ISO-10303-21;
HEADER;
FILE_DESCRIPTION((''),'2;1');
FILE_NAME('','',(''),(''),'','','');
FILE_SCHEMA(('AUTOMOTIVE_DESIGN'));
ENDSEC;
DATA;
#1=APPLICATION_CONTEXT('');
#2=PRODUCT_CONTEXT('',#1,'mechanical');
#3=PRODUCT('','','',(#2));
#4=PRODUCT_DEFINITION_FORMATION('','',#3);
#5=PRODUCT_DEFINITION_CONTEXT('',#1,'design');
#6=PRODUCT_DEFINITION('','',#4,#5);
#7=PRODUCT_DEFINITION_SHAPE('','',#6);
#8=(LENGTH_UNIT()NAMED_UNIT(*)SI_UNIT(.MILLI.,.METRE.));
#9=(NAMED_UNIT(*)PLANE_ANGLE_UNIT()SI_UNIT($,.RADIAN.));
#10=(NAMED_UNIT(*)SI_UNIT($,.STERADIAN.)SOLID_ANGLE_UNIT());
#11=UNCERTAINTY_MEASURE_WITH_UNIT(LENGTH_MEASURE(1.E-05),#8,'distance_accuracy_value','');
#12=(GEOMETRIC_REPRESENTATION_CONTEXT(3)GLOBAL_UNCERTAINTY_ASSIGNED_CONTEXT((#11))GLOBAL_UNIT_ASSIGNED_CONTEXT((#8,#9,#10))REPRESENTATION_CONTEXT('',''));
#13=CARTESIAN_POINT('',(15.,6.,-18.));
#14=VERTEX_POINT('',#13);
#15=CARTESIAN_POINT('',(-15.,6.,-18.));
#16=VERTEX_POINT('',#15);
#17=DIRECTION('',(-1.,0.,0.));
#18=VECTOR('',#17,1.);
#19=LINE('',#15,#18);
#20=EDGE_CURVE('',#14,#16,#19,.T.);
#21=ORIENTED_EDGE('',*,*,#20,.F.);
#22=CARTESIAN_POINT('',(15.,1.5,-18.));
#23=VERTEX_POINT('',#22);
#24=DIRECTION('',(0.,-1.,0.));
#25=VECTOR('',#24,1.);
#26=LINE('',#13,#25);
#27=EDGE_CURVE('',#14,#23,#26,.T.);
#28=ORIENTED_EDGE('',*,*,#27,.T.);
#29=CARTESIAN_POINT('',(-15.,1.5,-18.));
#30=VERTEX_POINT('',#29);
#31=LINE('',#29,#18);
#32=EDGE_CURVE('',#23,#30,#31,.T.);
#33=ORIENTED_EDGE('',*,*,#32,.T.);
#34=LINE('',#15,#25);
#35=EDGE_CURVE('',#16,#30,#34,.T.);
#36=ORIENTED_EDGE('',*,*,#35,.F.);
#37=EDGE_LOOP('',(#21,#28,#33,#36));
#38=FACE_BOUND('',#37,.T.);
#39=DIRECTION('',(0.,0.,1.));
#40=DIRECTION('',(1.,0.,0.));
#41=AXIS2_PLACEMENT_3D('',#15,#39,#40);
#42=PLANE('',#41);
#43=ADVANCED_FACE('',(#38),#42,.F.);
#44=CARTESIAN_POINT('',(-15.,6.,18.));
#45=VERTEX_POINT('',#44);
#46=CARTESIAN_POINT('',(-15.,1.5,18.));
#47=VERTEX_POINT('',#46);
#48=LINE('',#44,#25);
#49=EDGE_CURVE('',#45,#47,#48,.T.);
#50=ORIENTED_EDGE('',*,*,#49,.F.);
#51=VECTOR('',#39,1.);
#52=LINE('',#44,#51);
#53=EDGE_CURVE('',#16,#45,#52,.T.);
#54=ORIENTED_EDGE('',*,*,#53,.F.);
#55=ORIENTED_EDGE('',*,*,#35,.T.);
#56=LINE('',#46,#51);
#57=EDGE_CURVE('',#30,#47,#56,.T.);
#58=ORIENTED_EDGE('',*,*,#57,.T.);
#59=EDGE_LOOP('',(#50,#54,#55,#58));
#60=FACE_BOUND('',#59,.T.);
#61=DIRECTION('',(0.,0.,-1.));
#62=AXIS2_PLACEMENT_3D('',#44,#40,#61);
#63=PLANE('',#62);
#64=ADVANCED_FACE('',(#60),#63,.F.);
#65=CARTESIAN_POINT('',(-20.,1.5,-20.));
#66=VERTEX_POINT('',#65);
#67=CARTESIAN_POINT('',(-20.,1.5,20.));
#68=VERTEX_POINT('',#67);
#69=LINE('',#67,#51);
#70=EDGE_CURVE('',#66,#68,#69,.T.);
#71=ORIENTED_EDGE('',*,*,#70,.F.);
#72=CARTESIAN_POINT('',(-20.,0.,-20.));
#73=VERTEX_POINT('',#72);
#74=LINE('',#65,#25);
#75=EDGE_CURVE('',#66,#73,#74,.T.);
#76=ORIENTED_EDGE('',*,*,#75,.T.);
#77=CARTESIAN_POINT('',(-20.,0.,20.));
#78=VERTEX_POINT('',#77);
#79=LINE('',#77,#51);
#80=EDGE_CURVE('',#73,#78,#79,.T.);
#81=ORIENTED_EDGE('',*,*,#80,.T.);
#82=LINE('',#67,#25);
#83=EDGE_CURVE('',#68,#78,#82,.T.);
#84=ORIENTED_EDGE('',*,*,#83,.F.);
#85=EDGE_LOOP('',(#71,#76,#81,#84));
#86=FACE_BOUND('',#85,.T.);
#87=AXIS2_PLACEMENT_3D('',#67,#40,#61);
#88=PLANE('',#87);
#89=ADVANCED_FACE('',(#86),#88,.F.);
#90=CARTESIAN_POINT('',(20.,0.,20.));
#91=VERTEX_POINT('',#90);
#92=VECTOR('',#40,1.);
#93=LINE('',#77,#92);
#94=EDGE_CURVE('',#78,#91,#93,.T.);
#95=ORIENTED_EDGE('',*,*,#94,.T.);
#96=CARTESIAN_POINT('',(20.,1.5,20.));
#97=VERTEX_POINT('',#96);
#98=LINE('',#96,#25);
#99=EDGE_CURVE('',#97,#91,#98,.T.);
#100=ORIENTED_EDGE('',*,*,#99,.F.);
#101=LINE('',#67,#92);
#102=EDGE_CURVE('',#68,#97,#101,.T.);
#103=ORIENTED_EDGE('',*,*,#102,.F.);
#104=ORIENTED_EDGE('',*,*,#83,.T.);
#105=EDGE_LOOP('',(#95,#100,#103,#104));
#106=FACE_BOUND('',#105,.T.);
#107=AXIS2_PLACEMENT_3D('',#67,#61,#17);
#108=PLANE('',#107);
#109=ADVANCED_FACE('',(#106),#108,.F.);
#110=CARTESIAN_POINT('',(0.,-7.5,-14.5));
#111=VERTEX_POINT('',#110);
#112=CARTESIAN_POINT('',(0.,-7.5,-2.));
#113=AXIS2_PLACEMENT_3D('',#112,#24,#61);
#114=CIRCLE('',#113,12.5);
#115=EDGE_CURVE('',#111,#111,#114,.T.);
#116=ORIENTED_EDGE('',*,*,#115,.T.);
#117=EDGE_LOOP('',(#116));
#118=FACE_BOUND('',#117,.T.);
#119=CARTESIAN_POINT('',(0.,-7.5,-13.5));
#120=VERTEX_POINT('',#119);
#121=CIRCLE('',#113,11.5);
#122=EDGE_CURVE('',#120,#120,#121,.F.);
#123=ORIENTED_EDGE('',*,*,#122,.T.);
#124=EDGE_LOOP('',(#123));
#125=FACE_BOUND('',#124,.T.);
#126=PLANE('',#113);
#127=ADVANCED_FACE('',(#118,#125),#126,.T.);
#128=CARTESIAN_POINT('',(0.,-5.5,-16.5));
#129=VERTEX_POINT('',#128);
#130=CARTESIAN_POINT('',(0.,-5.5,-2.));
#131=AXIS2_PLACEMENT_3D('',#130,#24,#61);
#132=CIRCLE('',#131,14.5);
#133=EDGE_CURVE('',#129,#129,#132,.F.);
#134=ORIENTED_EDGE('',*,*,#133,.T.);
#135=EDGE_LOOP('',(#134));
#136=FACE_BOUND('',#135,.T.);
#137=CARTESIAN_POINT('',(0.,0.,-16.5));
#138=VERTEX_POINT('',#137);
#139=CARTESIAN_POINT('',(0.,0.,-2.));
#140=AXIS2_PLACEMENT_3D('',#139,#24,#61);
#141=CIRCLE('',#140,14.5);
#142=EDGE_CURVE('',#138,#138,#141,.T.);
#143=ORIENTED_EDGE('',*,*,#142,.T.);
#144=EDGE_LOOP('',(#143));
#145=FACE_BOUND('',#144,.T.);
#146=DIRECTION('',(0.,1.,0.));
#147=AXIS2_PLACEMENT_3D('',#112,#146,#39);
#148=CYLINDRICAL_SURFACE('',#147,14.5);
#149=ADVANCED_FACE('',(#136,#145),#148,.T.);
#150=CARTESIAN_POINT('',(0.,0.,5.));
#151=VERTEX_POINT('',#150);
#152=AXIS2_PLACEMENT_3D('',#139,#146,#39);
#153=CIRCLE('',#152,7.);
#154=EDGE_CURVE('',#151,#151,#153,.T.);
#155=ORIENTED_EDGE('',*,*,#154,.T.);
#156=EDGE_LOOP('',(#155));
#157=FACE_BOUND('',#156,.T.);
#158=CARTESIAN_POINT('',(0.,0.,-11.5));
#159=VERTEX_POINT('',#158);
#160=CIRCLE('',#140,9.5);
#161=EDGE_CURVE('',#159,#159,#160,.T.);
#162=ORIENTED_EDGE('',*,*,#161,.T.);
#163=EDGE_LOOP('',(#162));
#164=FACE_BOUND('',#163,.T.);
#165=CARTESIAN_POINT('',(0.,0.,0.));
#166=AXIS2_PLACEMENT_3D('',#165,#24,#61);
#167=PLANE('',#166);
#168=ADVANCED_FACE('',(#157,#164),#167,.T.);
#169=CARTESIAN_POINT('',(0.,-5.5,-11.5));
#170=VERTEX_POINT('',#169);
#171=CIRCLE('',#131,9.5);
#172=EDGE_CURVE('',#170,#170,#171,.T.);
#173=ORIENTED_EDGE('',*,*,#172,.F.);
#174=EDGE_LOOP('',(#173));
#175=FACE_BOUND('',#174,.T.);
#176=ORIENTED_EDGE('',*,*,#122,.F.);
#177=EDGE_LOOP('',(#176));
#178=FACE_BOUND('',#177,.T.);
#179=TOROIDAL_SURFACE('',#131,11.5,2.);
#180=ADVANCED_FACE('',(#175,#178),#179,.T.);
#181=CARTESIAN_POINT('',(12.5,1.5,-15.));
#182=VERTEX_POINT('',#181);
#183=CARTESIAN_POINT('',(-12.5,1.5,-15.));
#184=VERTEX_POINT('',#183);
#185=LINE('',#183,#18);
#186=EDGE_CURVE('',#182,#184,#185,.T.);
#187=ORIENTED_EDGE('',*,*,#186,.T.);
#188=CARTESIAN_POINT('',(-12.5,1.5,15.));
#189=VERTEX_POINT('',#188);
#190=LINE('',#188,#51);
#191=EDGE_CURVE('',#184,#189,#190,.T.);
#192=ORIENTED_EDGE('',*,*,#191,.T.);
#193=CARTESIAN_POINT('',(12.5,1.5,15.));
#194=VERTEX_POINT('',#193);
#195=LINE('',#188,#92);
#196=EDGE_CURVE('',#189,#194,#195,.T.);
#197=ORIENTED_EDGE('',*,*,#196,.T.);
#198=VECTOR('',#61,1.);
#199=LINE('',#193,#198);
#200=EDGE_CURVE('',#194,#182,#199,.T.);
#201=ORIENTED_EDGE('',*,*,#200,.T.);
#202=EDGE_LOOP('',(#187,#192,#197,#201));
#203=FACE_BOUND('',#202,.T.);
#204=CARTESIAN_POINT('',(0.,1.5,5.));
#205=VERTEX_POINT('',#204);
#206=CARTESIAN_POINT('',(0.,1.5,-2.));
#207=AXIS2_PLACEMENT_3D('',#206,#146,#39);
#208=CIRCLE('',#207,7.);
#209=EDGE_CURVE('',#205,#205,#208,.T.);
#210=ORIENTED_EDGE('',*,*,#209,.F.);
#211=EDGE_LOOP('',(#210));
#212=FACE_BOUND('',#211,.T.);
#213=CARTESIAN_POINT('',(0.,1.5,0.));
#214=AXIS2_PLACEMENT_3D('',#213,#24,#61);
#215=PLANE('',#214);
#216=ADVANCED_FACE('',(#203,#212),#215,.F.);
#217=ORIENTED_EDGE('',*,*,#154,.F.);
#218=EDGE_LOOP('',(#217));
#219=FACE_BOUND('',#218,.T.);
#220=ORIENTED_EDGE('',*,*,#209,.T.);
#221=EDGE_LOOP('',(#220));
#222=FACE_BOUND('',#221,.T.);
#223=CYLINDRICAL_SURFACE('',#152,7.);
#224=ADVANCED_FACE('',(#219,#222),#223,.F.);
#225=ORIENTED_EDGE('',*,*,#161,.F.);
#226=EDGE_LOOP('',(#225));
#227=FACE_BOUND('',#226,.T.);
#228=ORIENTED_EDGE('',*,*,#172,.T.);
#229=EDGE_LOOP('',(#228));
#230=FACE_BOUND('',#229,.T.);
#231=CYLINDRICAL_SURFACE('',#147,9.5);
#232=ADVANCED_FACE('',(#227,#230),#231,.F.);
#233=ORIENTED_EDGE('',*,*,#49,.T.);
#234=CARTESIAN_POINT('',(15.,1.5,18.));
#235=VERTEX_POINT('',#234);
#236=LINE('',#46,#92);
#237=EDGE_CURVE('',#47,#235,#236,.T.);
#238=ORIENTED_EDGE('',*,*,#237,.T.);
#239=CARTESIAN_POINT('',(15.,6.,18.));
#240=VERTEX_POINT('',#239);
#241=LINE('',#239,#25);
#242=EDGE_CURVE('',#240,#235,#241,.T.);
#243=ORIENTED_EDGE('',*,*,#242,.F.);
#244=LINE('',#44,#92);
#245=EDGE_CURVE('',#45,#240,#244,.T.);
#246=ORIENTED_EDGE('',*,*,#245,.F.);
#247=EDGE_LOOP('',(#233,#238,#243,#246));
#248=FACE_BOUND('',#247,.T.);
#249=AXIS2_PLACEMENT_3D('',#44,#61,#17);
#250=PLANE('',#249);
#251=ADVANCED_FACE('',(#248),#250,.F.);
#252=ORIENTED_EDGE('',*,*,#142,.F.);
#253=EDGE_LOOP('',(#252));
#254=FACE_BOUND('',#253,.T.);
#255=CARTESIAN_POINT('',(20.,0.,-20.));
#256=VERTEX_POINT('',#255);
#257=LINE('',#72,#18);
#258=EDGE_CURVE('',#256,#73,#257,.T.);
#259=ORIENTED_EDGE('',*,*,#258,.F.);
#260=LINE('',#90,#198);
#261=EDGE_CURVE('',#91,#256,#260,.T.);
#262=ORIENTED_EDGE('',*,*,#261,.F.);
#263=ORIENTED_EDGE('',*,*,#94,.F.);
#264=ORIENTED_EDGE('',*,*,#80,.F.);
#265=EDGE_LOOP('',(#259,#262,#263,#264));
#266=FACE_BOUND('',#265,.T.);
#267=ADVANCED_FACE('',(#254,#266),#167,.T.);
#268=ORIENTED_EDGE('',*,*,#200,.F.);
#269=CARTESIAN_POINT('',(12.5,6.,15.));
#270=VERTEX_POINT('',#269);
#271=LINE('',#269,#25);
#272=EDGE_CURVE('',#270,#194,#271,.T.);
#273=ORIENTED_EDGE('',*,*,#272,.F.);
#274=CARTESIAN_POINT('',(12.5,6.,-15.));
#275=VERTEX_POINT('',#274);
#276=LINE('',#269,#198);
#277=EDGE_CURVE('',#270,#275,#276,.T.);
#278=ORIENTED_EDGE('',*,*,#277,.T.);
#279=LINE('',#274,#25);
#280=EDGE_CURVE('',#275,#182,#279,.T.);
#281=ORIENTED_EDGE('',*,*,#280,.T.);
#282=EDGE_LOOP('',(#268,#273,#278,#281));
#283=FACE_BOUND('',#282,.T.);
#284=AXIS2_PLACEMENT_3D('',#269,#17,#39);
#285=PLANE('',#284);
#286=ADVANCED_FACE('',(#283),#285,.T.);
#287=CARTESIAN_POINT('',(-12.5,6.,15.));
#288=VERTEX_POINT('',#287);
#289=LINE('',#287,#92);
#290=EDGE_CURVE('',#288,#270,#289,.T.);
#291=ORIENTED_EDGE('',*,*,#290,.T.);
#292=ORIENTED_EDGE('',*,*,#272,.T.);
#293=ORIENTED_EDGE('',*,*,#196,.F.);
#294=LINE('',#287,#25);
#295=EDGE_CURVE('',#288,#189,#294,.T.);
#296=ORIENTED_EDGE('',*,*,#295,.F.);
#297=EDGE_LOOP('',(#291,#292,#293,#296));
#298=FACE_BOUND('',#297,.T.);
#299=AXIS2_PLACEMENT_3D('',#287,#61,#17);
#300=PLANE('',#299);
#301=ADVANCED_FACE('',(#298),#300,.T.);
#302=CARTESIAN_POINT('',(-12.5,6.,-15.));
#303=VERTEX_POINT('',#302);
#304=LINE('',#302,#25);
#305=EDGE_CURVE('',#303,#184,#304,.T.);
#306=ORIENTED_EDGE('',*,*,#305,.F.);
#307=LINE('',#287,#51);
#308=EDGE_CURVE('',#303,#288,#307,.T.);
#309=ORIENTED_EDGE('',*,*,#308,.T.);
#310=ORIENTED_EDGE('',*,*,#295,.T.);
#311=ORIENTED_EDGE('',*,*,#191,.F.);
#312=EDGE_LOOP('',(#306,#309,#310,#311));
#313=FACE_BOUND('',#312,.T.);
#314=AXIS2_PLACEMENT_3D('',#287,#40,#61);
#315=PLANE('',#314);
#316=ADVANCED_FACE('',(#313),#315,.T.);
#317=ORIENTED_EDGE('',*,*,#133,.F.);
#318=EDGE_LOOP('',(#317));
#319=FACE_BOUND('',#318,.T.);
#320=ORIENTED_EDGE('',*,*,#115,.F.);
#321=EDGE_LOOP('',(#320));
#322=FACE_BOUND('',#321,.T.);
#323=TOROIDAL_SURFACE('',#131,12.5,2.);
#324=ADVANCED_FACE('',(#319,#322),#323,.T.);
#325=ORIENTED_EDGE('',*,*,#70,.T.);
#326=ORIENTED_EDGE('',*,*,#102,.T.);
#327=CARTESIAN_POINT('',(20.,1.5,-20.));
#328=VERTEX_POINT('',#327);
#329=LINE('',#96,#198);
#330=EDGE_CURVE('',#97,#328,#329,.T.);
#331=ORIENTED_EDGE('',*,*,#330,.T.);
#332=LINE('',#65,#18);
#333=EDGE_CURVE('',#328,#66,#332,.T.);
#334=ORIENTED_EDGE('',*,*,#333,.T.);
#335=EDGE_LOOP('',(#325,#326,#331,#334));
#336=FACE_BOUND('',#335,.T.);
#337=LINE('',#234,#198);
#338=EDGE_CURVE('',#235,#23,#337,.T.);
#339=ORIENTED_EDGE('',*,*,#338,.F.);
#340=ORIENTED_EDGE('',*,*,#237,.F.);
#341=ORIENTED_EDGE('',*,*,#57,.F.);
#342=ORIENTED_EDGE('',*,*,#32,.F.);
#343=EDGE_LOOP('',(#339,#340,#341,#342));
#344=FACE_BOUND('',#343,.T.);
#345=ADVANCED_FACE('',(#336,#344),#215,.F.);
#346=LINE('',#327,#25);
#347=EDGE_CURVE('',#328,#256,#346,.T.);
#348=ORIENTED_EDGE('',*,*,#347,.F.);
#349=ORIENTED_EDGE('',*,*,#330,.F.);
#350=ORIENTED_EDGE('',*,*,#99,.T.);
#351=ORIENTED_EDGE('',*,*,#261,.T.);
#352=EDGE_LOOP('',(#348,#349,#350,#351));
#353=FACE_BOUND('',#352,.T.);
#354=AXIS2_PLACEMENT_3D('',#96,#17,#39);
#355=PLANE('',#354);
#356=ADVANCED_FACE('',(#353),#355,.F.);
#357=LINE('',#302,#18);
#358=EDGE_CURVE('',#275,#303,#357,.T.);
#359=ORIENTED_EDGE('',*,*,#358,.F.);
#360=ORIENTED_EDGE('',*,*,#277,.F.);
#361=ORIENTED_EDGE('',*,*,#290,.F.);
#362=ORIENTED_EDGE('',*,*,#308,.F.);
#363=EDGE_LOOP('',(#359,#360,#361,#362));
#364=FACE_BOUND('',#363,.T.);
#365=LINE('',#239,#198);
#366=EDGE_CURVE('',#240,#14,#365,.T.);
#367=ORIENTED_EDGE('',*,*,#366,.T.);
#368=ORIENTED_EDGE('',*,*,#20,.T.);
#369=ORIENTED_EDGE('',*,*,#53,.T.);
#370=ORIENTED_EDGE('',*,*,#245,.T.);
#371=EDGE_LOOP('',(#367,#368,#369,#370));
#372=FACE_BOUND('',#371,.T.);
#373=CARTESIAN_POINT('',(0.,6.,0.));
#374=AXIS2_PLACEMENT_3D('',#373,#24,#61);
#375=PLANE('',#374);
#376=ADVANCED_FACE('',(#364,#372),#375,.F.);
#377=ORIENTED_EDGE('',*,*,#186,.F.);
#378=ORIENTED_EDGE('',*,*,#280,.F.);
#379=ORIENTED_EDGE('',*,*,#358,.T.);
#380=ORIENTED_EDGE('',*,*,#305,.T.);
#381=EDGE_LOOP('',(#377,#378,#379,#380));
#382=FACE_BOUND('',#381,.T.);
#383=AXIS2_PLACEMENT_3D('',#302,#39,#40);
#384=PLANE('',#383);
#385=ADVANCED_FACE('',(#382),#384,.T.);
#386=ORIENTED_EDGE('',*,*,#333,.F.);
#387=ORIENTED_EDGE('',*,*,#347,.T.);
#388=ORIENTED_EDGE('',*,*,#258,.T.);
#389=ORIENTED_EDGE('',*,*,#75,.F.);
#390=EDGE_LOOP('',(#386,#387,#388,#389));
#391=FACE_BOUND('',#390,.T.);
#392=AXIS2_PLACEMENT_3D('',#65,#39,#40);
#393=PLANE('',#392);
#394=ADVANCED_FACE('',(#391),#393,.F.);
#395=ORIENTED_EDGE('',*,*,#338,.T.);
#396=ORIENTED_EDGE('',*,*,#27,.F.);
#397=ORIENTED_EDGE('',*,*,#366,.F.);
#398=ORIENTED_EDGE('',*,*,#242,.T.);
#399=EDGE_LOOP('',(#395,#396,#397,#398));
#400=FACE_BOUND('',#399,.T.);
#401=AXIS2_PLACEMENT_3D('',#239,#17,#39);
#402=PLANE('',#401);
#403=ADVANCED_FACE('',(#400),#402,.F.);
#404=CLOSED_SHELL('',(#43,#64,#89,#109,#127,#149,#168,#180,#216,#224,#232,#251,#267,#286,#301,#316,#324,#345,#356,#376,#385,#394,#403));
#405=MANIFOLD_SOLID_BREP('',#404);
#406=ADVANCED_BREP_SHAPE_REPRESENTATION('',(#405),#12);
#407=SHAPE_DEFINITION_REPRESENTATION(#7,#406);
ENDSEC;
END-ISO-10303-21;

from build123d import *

# Parameters (mm, degrees)
CROQUIS1_W              = 40
CROQUIS1_H              = 40
SALIENTE_EXTRUIR1_DEPTH = 1.5
CROQUIS2_R              = 7
CORTAR_EXTRUIR1_DEPTH   = 1.5
CROQUIS3_W              = 30
CROQUIS3_H              = 36
CROQUIS3_W_2            = 25
CROQUIS3_H_2            = 30
SALIENTE_EXTRUIR2_DEPTH = 4.5
CROQUIS4_R              = 14.5
CROQUIS4_R_2            = 9.5
SALIENTE_EXTRUIR3_DEPTH = 7.5
REDONDEO1_R             = 2


with BuildPart() as part:
    # Croquis1 → Saliente-Extruir1 (new body)
    with BuildSketch(Plane(origin=(0, 0, 0), x_dir=(1, 0, 0), z_dir=(0, 1, 0))):
        Rectangle(CROQUIS1_W, CROQUIS1_H)
    extrude(amount=SALIENTE_EXTRUIR1_DEPTH)

    # Croquis2 → Cortar-Extruir1 (cut)
    with BuildSketch(Plane(origin=(0, 1.5, 0), x_dir=(1, 0, 0), z_dir=(0, 1, 0))):
        with Locations((0, 2)):
            Circle(CROQUIS2_R)
    extrude(amount=-CORTAR_EXTRUIR1_DEPTH, mode=Mode.SUBTRACT)

    # Croquis3 → Saliente-Extruir2 (add)
    with BuildSketch(Plane(origin=(0, 1.5, 0), x_dir=(1, 0, 0), z_dir=(0, 1, 0))):
        Rectangle(CROQUIS3_W, CROQUIS3_H)
        Rectangle(CROQUIS3_W_2, CROQUIS3_H_2, mode=Mode.SUBTRACT)
    extrude(amount=SALIENTE_EXTRUIR2_DEPTH)

    # Croquis4 → Saliente-Extruir3 (add)
    with BuildSketch(Plane.XZ):
        with Locations((0, -2)):
            Circle(CROQUIS4_R)
        with Locations((0, -2)):
            Circle(CROQUIS4_R_2, mode=Mode.SUBTRACT)
    extrude(amount=SALIENTE_EXTRUIR3_DEPTH)

    # Redondeo1
    redondeo1_edges = [part.edges().sort_by_distance(p)[0] for p in [
        (-14.5, -7.5, -2),
        (-9.5, -7.5, -2),
    ]]
    fillet(redondeo1_edges, radius=REDONDEO1_R)


solid = part.part
